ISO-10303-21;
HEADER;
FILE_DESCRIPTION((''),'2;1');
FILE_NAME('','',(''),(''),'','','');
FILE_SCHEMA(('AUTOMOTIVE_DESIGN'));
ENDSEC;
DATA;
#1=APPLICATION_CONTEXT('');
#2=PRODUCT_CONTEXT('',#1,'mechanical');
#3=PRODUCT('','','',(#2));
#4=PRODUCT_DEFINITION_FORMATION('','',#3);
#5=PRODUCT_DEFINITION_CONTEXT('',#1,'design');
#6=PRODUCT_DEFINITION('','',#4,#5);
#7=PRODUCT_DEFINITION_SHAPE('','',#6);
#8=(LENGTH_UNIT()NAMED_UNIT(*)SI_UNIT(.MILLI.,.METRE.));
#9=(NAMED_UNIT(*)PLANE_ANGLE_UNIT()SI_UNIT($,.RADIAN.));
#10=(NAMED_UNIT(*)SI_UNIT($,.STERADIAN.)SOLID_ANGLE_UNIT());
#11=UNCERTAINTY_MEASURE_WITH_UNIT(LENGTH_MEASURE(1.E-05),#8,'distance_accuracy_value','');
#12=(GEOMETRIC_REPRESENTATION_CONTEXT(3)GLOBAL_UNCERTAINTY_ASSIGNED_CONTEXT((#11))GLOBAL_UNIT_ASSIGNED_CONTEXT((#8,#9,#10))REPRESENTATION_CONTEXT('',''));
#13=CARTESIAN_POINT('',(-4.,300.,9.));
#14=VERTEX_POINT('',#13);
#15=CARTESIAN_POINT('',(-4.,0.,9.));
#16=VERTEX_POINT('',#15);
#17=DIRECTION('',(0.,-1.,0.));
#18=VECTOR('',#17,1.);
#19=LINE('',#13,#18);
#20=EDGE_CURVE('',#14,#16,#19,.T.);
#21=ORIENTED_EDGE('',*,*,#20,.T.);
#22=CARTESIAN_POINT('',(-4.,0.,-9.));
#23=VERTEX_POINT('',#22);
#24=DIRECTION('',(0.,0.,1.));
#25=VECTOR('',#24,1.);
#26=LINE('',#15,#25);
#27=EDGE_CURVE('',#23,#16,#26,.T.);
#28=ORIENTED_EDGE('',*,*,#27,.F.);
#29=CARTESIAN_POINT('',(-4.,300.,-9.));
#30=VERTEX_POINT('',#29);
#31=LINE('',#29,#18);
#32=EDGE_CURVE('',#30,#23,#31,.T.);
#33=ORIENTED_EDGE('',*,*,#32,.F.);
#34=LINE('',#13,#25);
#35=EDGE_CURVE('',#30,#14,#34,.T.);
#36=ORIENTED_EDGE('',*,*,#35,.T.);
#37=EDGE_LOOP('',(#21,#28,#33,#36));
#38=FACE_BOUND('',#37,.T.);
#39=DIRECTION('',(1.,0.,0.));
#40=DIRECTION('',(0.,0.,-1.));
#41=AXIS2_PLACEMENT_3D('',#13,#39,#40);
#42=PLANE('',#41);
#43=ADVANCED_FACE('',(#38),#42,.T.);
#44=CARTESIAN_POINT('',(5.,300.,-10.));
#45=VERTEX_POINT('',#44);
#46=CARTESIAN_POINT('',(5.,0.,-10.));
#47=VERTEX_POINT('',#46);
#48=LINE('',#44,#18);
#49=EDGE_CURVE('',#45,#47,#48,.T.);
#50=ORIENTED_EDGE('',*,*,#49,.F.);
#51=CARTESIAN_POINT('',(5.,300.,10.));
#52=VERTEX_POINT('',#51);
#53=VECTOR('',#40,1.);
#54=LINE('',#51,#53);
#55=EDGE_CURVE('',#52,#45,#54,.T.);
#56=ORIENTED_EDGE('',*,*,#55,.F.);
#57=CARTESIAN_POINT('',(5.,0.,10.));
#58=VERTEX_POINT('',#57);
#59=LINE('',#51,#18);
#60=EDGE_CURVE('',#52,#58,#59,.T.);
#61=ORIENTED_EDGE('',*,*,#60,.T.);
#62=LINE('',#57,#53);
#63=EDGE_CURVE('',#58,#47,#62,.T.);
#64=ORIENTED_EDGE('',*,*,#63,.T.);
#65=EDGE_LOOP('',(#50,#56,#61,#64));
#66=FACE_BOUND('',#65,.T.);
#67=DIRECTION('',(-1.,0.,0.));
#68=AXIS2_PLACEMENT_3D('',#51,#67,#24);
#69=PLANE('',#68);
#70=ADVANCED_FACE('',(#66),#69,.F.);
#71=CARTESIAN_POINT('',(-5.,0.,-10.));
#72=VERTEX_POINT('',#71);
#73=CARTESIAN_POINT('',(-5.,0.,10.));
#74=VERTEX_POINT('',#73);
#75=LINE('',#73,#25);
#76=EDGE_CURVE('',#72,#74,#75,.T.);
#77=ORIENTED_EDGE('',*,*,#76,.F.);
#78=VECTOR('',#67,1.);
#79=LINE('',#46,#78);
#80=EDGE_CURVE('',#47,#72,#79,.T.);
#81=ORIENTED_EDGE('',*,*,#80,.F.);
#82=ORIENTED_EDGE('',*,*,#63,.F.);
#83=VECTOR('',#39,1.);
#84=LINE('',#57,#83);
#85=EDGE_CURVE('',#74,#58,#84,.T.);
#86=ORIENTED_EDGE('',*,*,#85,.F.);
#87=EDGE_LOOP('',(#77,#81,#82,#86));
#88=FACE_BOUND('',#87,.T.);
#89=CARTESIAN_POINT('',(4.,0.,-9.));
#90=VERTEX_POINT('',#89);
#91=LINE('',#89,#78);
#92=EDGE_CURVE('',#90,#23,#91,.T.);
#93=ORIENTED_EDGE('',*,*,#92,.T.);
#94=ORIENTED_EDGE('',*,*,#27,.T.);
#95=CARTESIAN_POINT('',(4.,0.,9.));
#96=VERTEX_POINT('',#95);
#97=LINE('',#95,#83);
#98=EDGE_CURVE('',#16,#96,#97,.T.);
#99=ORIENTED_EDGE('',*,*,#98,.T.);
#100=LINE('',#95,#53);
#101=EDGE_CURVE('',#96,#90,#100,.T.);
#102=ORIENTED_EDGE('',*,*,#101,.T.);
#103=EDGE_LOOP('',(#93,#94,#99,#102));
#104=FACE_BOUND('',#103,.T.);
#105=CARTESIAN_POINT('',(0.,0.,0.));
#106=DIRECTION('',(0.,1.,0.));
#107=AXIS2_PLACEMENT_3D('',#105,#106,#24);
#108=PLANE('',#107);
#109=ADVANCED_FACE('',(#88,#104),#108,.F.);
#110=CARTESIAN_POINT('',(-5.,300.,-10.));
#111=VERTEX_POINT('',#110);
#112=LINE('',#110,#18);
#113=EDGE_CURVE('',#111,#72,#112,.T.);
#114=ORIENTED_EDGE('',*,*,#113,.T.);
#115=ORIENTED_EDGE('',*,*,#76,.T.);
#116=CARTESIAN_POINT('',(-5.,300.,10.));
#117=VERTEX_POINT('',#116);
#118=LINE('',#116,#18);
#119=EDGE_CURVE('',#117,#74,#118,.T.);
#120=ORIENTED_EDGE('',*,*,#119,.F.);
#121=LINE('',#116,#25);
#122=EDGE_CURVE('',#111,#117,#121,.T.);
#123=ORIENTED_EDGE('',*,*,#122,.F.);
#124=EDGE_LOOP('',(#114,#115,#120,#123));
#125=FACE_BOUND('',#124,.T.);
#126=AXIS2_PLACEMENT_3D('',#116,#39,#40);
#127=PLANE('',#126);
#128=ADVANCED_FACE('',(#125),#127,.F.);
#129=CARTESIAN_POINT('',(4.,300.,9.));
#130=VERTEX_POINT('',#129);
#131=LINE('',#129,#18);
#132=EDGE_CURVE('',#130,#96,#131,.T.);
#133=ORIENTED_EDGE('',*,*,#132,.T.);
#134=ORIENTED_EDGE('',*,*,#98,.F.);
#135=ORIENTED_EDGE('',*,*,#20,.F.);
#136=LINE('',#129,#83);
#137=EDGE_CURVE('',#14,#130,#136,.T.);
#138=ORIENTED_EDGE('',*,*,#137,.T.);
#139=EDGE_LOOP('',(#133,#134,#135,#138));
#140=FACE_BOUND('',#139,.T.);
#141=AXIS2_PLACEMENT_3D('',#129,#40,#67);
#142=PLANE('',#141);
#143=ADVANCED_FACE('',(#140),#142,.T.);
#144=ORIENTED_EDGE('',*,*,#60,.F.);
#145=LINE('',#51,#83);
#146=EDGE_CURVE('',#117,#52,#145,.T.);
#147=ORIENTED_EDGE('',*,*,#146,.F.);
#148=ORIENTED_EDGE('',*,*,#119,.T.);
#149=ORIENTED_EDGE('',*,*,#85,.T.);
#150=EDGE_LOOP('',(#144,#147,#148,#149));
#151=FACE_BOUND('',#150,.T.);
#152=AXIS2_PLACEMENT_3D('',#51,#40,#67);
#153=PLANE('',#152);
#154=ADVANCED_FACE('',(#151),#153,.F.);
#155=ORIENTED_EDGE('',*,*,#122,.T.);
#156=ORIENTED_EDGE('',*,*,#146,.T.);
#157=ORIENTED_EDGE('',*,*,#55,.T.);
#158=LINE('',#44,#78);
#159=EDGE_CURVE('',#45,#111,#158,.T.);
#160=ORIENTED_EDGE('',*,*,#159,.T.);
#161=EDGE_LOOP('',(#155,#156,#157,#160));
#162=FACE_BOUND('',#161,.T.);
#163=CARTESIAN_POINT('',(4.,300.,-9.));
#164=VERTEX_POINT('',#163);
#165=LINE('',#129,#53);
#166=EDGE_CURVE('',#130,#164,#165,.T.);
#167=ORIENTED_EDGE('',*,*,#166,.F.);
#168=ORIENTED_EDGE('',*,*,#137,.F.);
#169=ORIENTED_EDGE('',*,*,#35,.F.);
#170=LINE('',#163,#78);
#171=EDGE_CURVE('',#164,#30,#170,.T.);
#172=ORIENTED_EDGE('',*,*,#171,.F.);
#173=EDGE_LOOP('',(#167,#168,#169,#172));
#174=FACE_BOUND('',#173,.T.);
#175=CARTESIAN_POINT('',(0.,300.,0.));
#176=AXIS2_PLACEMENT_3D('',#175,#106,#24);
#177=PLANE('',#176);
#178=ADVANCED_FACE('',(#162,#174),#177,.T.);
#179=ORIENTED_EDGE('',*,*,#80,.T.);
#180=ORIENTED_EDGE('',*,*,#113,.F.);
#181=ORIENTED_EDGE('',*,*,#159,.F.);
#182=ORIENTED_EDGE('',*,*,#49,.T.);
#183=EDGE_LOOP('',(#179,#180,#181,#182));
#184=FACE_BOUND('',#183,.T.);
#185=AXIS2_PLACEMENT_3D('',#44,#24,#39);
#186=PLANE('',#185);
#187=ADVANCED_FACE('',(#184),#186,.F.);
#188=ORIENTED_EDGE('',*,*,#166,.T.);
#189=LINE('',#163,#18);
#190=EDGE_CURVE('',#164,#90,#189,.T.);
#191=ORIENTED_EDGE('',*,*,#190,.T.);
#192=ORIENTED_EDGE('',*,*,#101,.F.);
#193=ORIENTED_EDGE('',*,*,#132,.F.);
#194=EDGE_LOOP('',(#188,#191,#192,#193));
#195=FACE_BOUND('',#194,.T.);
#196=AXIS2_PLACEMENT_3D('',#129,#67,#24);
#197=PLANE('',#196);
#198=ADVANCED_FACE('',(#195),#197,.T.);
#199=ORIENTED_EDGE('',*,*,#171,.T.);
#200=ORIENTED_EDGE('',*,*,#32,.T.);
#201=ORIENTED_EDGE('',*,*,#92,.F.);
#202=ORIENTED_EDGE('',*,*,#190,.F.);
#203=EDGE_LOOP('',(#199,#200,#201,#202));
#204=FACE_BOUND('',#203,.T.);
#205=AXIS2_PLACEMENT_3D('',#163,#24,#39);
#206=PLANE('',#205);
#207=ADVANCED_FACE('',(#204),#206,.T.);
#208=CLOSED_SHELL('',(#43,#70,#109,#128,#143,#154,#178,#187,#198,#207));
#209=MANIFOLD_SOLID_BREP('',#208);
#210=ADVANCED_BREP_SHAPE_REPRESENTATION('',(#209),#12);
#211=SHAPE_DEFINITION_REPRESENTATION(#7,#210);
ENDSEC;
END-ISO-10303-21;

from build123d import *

# Parameters (mm, degrees)
SKETCH1_W           = 10
SKETCH1_H           = 20
SKETCH1_W_2         = 8
SKETCH1_H_2         = 18
BOSS_EXTRUDE1_DEPTH = 300


with BuildPart() as part:
    # Sketch1 → Boss-Extrude1 (new body)
    with BuildSketch(Plane(origin=(0, 0, 0), x_dir=(1, 0, 0), z_dir=(0, 1, 0))):
        Rectangle(SKETCH1_W, SKETCH1_H)
        Rectangle(SKETCH1_W_2, SKETCH1_H_2, mode=Mode.SUBTRACT)
    extrude(amount=BOSS_EXTRUDE1_DEPTH)


solid = part.part
